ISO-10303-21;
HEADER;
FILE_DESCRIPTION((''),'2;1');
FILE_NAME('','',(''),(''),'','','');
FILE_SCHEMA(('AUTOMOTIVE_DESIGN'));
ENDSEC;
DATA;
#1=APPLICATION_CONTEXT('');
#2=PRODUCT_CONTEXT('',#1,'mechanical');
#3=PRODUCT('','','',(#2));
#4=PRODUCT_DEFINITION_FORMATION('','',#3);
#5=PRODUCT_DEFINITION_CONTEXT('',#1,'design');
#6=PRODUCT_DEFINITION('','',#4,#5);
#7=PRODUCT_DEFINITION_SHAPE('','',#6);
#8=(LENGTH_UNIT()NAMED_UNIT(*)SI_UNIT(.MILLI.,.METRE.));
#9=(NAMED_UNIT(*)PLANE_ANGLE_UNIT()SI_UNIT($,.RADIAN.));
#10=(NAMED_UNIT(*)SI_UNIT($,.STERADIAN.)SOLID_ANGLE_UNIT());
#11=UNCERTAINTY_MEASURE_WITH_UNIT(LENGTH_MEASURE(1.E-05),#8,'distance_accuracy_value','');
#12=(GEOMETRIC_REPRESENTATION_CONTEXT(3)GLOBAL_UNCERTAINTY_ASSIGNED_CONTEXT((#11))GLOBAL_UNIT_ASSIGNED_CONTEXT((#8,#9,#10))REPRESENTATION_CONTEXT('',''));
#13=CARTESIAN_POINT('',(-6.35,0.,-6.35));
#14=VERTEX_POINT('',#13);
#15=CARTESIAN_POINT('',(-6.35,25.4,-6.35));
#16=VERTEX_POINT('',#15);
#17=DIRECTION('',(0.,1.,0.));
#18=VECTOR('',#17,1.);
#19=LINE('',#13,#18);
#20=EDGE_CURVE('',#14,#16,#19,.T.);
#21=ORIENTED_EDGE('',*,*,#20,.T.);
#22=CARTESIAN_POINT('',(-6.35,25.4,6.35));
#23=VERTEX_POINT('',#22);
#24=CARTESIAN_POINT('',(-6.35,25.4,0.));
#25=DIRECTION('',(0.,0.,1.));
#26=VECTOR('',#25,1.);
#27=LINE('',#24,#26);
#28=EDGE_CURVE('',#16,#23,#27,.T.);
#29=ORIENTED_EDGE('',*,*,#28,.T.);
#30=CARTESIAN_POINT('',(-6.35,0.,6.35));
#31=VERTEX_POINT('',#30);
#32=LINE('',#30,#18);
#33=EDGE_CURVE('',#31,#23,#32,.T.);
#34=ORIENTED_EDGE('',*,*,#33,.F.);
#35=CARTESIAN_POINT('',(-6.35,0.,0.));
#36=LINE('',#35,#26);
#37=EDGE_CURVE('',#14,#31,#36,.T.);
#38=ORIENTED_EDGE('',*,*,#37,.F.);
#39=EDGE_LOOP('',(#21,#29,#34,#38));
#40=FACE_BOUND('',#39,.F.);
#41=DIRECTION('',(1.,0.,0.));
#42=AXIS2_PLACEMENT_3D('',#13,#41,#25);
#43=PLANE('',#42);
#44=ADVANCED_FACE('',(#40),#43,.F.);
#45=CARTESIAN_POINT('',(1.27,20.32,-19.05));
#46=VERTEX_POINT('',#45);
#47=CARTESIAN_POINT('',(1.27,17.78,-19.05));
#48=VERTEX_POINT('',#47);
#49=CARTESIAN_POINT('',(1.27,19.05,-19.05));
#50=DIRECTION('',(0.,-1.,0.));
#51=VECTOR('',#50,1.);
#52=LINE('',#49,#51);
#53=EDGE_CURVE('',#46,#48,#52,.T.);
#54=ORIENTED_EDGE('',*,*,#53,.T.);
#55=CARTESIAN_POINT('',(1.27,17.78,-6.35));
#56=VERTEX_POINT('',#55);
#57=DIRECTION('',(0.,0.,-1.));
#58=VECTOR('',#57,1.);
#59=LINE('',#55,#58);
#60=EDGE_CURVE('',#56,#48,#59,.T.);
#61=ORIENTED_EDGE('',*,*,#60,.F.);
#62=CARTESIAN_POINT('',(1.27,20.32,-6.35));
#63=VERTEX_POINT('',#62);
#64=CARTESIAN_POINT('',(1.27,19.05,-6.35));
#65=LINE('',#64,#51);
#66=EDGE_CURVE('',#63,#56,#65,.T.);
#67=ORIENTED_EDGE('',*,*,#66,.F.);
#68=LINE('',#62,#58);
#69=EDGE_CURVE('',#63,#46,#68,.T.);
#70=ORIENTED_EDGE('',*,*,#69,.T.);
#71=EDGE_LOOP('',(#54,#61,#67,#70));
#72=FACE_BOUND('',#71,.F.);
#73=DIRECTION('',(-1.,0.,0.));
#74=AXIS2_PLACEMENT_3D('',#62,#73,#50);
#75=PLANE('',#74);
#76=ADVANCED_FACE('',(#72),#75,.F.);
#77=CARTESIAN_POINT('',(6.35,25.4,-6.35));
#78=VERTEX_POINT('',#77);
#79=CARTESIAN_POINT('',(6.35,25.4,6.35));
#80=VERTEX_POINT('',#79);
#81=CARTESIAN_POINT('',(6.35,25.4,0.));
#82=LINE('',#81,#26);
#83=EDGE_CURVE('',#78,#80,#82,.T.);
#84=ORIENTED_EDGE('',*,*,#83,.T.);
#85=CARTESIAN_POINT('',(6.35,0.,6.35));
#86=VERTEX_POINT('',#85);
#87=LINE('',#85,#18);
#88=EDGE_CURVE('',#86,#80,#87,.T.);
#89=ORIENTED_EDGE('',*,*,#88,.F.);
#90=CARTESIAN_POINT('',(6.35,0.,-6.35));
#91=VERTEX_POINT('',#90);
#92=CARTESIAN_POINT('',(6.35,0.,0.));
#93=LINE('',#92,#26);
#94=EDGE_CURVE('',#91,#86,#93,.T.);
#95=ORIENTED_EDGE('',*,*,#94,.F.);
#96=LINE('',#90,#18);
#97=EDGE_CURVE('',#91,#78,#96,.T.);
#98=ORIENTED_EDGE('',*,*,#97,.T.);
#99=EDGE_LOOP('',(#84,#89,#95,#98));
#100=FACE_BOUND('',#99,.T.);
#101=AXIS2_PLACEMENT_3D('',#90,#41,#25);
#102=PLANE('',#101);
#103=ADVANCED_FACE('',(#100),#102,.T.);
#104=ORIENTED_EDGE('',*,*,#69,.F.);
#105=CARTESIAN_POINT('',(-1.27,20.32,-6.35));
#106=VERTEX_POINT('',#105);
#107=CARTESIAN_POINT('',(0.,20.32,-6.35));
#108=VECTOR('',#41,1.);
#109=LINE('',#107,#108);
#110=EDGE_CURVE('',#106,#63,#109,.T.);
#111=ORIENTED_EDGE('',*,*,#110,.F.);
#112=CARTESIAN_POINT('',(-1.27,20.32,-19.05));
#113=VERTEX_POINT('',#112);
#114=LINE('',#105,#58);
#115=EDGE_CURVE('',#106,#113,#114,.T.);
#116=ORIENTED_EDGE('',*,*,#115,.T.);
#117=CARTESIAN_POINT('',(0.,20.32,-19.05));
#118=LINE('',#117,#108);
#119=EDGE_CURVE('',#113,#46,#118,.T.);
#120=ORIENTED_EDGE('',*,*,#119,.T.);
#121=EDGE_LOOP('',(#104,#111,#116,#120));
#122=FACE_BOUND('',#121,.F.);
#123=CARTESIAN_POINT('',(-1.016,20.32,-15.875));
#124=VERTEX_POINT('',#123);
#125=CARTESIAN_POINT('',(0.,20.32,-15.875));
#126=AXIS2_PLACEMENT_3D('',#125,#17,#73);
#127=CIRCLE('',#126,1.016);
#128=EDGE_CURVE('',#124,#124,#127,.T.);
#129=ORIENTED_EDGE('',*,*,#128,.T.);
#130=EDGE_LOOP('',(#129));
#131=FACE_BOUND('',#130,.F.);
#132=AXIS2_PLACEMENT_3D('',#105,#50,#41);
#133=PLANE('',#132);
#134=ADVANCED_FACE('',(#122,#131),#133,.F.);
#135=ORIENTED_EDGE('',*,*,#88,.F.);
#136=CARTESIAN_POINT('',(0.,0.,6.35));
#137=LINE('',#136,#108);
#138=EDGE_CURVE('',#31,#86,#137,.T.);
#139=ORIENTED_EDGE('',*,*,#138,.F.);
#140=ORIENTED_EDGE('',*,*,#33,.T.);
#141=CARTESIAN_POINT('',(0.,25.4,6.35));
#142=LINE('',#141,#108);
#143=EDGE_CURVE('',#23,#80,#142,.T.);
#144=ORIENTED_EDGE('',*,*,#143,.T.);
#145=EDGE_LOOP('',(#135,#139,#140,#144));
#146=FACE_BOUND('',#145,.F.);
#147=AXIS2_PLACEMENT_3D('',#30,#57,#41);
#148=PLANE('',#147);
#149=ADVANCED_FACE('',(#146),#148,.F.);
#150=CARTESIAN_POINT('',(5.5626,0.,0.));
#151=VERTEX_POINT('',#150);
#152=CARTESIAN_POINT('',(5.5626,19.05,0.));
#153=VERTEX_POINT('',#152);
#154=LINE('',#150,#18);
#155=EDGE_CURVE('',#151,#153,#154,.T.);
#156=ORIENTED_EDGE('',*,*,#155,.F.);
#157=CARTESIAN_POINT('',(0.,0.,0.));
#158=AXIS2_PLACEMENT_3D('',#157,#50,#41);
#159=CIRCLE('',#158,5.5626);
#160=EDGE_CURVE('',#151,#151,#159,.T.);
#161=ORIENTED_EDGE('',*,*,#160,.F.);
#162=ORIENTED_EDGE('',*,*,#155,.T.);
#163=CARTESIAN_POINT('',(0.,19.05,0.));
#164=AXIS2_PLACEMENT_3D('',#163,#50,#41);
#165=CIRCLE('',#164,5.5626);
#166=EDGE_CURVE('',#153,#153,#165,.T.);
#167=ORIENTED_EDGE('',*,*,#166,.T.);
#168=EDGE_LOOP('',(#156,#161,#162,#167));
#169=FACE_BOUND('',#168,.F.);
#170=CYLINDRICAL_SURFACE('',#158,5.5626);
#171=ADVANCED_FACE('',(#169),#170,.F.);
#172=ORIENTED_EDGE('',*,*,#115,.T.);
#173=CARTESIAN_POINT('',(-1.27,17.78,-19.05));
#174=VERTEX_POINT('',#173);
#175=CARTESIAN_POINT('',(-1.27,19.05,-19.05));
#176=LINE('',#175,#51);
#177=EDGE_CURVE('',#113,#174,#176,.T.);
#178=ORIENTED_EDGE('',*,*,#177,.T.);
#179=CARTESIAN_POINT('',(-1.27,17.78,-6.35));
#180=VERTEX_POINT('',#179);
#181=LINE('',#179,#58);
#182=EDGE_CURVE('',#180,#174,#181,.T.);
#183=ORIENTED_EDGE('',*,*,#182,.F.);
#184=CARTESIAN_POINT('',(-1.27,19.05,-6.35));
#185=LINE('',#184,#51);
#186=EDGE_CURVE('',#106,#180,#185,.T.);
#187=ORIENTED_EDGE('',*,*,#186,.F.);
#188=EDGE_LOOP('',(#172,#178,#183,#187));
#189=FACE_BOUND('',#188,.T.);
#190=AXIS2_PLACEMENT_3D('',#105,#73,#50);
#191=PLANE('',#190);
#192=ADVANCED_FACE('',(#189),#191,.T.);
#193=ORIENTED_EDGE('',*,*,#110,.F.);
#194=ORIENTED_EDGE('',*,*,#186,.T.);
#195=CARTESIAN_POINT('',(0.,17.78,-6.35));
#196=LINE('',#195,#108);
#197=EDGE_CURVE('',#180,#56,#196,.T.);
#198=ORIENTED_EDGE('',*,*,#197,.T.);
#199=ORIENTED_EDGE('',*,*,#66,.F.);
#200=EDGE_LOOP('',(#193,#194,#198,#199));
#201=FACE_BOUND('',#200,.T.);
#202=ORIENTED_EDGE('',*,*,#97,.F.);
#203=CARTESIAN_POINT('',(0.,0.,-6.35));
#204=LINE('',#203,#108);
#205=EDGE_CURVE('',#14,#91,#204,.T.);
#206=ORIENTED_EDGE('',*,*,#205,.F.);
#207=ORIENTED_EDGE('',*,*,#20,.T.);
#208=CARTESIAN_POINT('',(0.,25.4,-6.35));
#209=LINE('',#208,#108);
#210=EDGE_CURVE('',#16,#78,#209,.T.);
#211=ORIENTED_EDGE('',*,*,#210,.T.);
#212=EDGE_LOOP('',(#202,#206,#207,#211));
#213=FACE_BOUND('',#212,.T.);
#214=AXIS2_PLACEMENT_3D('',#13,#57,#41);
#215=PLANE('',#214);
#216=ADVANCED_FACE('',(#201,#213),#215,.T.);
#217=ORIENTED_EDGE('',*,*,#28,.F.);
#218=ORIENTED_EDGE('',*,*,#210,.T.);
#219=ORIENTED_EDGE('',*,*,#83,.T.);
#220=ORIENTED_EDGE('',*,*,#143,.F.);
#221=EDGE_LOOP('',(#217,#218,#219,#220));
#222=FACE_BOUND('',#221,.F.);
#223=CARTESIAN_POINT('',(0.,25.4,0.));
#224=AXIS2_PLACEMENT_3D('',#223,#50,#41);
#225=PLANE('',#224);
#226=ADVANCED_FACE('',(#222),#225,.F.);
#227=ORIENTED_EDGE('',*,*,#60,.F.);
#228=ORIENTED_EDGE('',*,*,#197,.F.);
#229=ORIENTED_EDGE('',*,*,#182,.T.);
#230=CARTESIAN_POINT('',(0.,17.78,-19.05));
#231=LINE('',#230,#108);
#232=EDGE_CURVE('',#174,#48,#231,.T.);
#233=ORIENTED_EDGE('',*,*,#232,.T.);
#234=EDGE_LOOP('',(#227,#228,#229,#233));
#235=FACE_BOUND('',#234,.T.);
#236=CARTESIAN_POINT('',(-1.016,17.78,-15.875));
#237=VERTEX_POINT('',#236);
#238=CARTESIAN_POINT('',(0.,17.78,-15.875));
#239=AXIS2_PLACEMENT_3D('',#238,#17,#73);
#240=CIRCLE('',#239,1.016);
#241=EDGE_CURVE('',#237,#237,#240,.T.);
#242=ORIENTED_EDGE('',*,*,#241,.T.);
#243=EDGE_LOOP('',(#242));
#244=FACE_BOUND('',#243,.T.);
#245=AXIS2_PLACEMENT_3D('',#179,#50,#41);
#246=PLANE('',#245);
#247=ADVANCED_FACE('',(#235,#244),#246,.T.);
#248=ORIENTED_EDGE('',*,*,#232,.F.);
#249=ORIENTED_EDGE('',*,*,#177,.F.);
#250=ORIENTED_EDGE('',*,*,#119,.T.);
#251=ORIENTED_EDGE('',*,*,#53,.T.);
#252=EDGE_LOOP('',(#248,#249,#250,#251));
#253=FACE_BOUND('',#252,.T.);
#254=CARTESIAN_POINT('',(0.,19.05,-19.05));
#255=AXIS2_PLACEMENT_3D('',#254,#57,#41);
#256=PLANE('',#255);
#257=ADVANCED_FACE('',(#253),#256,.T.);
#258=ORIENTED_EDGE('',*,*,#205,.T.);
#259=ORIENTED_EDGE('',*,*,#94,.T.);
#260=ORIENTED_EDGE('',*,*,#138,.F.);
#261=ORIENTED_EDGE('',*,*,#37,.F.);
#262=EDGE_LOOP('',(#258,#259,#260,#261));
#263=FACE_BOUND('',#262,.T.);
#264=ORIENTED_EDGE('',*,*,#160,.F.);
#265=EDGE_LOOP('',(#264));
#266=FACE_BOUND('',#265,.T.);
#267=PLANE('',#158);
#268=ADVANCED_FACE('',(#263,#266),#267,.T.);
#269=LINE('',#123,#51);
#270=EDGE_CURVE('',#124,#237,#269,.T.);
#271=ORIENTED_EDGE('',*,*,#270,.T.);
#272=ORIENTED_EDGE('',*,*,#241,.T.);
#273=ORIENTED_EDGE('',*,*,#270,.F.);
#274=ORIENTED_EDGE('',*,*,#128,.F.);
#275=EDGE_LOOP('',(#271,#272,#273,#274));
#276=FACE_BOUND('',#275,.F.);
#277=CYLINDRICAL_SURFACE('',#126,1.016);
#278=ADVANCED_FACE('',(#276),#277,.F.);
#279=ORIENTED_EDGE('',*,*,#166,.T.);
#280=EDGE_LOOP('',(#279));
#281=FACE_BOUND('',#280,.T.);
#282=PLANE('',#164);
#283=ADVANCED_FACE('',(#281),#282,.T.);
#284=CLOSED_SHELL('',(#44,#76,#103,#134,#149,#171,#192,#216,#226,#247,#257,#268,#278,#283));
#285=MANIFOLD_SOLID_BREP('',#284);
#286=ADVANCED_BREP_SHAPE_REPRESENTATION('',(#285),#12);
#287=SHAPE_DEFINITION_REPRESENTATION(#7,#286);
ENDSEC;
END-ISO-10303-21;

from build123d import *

# Parameters (mm, degrees)
F0_W     = 12.7
F0_H     = 12.7
F1_DEPTH = 25.4
F2_R     = 5.5626
F3_DEPTH = 19.05
F4_W     = 2.54
F4_H     = 2.54
F5_DEPTH = 12.7
F6_R     = 1.016
F7_DEPTH = 25.4


with BuildPart() as f1:
    # F0 (on Front) → F1 (new body)
    with BuildSketch(Plane.XZ):
        Rectangle(F0_W, F0_H)
    extrude(amount=-F1_DEPTH)

    # F2 (on face) → F3 (cut)
    with BuildSketch(Plane.XZ):
        Circle(F2_R)
    extrude(amount=-F3_DEPTH, mode=Mode.SUBTRACT)

    # F4 (on face) → F5 (join)
    with BuildSketch(Plane(origin=(0, 0, -6.35), x_dir=(1, 0, 0), z_dir=(0, 0, -1))):
        with Locations((0, -19.05)):
            Rectangle(F4_W, F4_H)
    extrude(amount=F5_DEPTH)

    # F6 (on face) → F7 (cut)
    with BuildSketch(Plane(origin=(0, 20.32, 0), x_dir=(-1, 0, 0), z_dir=(0, 1, 0))):
        with Locations((0, -15.875)):
            Circle(F6_R)
    extrude(amount=-F7_DEPTH, mode=Mode.SUBTRACT)


solid = f1.part
